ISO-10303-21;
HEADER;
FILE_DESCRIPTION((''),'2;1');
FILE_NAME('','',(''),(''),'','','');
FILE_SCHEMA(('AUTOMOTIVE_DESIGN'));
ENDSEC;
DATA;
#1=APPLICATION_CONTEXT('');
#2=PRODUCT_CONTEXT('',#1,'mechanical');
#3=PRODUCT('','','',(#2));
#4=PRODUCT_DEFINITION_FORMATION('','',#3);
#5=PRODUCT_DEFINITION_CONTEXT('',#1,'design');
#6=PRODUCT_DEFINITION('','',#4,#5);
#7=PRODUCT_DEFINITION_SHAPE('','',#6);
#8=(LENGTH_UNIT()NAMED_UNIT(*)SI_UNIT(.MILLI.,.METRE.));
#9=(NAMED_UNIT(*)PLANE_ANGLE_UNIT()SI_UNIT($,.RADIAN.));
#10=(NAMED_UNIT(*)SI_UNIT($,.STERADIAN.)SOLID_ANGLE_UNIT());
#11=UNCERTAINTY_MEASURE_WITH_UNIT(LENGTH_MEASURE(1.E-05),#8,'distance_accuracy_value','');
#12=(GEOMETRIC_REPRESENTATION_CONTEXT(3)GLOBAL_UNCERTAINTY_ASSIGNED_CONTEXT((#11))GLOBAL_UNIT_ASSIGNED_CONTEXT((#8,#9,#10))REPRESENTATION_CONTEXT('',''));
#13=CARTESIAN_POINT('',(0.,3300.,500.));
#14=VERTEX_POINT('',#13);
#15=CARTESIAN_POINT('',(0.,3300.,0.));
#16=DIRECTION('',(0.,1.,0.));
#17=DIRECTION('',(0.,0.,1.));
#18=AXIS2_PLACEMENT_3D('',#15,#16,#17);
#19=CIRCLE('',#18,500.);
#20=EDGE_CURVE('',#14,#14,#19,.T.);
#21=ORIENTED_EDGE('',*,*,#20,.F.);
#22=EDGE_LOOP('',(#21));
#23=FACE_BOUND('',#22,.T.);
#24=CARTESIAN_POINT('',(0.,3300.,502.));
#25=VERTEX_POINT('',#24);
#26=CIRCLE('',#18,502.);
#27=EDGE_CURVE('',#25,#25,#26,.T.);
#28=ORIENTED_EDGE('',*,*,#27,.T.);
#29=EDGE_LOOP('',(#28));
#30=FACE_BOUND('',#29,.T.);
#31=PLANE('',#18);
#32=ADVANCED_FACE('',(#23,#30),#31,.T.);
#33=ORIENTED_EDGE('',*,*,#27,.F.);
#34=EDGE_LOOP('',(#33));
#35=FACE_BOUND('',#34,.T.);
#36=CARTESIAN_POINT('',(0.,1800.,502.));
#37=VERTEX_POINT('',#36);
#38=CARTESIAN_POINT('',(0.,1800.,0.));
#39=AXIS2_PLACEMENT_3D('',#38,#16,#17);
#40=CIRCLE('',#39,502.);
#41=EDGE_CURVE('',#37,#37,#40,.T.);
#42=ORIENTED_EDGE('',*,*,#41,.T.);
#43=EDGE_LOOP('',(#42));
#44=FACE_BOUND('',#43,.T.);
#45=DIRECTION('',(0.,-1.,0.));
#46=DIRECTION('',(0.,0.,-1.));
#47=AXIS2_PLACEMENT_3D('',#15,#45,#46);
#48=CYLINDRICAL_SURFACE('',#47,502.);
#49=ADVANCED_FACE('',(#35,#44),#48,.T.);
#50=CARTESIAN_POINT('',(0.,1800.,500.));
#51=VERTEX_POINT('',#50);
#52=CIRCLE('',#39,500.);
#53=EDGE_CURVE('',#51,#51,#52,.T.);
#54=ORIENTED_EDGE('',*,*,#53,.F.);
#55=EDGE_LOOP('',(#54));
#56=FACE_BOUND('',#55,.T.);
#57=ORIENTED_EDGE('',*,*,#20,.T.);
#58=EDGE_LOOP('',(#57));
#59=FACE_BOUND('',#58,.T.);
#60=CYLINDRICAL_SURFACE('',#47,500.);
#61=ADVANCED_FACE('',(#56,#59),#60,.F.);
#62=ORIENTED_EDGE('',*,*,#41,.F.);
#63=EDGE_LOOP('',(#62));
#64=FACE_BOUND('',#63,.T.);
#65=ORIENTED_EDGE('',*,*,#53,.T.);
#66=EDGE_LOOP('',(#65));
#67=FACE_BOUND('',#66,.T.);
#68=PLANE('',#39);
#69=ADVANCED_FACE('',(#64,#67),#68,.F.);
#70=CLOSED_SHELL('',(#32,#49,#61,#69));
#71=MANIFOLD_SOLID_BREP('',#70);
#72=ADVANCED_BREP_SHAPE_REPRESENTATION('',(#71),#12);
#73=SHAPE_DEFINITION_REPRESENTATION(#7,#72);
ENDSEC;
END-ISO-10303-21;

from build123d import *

# Parameters (mm, degrees)
SKETCH1_R           = 502
SKETCH1_R_2         = 500
BOSS_EXTRUDE1_DEPTH = 1500


with BuildPart() as part:
    # Sketch1 → Boss-Extrude1 (new body)
    with BuildSketch(Plane(origin=(0, 1800, 0), x_dir=(1, 0, 0), z_dir=(0, 1, 0))):
        with Locations(Location((0, 0, 0), (0, 0, 270))):
            Circle(SKETCH1_R)
        with Locations(Location((0, 0, 0), (0, 0, 270))):
            Circle(SKETCH1_R_2, mode=Mode.SUBTRACT)
    extrude(amount=BOSS_EXTRUDE1_DEPTH)


solid = part.part
